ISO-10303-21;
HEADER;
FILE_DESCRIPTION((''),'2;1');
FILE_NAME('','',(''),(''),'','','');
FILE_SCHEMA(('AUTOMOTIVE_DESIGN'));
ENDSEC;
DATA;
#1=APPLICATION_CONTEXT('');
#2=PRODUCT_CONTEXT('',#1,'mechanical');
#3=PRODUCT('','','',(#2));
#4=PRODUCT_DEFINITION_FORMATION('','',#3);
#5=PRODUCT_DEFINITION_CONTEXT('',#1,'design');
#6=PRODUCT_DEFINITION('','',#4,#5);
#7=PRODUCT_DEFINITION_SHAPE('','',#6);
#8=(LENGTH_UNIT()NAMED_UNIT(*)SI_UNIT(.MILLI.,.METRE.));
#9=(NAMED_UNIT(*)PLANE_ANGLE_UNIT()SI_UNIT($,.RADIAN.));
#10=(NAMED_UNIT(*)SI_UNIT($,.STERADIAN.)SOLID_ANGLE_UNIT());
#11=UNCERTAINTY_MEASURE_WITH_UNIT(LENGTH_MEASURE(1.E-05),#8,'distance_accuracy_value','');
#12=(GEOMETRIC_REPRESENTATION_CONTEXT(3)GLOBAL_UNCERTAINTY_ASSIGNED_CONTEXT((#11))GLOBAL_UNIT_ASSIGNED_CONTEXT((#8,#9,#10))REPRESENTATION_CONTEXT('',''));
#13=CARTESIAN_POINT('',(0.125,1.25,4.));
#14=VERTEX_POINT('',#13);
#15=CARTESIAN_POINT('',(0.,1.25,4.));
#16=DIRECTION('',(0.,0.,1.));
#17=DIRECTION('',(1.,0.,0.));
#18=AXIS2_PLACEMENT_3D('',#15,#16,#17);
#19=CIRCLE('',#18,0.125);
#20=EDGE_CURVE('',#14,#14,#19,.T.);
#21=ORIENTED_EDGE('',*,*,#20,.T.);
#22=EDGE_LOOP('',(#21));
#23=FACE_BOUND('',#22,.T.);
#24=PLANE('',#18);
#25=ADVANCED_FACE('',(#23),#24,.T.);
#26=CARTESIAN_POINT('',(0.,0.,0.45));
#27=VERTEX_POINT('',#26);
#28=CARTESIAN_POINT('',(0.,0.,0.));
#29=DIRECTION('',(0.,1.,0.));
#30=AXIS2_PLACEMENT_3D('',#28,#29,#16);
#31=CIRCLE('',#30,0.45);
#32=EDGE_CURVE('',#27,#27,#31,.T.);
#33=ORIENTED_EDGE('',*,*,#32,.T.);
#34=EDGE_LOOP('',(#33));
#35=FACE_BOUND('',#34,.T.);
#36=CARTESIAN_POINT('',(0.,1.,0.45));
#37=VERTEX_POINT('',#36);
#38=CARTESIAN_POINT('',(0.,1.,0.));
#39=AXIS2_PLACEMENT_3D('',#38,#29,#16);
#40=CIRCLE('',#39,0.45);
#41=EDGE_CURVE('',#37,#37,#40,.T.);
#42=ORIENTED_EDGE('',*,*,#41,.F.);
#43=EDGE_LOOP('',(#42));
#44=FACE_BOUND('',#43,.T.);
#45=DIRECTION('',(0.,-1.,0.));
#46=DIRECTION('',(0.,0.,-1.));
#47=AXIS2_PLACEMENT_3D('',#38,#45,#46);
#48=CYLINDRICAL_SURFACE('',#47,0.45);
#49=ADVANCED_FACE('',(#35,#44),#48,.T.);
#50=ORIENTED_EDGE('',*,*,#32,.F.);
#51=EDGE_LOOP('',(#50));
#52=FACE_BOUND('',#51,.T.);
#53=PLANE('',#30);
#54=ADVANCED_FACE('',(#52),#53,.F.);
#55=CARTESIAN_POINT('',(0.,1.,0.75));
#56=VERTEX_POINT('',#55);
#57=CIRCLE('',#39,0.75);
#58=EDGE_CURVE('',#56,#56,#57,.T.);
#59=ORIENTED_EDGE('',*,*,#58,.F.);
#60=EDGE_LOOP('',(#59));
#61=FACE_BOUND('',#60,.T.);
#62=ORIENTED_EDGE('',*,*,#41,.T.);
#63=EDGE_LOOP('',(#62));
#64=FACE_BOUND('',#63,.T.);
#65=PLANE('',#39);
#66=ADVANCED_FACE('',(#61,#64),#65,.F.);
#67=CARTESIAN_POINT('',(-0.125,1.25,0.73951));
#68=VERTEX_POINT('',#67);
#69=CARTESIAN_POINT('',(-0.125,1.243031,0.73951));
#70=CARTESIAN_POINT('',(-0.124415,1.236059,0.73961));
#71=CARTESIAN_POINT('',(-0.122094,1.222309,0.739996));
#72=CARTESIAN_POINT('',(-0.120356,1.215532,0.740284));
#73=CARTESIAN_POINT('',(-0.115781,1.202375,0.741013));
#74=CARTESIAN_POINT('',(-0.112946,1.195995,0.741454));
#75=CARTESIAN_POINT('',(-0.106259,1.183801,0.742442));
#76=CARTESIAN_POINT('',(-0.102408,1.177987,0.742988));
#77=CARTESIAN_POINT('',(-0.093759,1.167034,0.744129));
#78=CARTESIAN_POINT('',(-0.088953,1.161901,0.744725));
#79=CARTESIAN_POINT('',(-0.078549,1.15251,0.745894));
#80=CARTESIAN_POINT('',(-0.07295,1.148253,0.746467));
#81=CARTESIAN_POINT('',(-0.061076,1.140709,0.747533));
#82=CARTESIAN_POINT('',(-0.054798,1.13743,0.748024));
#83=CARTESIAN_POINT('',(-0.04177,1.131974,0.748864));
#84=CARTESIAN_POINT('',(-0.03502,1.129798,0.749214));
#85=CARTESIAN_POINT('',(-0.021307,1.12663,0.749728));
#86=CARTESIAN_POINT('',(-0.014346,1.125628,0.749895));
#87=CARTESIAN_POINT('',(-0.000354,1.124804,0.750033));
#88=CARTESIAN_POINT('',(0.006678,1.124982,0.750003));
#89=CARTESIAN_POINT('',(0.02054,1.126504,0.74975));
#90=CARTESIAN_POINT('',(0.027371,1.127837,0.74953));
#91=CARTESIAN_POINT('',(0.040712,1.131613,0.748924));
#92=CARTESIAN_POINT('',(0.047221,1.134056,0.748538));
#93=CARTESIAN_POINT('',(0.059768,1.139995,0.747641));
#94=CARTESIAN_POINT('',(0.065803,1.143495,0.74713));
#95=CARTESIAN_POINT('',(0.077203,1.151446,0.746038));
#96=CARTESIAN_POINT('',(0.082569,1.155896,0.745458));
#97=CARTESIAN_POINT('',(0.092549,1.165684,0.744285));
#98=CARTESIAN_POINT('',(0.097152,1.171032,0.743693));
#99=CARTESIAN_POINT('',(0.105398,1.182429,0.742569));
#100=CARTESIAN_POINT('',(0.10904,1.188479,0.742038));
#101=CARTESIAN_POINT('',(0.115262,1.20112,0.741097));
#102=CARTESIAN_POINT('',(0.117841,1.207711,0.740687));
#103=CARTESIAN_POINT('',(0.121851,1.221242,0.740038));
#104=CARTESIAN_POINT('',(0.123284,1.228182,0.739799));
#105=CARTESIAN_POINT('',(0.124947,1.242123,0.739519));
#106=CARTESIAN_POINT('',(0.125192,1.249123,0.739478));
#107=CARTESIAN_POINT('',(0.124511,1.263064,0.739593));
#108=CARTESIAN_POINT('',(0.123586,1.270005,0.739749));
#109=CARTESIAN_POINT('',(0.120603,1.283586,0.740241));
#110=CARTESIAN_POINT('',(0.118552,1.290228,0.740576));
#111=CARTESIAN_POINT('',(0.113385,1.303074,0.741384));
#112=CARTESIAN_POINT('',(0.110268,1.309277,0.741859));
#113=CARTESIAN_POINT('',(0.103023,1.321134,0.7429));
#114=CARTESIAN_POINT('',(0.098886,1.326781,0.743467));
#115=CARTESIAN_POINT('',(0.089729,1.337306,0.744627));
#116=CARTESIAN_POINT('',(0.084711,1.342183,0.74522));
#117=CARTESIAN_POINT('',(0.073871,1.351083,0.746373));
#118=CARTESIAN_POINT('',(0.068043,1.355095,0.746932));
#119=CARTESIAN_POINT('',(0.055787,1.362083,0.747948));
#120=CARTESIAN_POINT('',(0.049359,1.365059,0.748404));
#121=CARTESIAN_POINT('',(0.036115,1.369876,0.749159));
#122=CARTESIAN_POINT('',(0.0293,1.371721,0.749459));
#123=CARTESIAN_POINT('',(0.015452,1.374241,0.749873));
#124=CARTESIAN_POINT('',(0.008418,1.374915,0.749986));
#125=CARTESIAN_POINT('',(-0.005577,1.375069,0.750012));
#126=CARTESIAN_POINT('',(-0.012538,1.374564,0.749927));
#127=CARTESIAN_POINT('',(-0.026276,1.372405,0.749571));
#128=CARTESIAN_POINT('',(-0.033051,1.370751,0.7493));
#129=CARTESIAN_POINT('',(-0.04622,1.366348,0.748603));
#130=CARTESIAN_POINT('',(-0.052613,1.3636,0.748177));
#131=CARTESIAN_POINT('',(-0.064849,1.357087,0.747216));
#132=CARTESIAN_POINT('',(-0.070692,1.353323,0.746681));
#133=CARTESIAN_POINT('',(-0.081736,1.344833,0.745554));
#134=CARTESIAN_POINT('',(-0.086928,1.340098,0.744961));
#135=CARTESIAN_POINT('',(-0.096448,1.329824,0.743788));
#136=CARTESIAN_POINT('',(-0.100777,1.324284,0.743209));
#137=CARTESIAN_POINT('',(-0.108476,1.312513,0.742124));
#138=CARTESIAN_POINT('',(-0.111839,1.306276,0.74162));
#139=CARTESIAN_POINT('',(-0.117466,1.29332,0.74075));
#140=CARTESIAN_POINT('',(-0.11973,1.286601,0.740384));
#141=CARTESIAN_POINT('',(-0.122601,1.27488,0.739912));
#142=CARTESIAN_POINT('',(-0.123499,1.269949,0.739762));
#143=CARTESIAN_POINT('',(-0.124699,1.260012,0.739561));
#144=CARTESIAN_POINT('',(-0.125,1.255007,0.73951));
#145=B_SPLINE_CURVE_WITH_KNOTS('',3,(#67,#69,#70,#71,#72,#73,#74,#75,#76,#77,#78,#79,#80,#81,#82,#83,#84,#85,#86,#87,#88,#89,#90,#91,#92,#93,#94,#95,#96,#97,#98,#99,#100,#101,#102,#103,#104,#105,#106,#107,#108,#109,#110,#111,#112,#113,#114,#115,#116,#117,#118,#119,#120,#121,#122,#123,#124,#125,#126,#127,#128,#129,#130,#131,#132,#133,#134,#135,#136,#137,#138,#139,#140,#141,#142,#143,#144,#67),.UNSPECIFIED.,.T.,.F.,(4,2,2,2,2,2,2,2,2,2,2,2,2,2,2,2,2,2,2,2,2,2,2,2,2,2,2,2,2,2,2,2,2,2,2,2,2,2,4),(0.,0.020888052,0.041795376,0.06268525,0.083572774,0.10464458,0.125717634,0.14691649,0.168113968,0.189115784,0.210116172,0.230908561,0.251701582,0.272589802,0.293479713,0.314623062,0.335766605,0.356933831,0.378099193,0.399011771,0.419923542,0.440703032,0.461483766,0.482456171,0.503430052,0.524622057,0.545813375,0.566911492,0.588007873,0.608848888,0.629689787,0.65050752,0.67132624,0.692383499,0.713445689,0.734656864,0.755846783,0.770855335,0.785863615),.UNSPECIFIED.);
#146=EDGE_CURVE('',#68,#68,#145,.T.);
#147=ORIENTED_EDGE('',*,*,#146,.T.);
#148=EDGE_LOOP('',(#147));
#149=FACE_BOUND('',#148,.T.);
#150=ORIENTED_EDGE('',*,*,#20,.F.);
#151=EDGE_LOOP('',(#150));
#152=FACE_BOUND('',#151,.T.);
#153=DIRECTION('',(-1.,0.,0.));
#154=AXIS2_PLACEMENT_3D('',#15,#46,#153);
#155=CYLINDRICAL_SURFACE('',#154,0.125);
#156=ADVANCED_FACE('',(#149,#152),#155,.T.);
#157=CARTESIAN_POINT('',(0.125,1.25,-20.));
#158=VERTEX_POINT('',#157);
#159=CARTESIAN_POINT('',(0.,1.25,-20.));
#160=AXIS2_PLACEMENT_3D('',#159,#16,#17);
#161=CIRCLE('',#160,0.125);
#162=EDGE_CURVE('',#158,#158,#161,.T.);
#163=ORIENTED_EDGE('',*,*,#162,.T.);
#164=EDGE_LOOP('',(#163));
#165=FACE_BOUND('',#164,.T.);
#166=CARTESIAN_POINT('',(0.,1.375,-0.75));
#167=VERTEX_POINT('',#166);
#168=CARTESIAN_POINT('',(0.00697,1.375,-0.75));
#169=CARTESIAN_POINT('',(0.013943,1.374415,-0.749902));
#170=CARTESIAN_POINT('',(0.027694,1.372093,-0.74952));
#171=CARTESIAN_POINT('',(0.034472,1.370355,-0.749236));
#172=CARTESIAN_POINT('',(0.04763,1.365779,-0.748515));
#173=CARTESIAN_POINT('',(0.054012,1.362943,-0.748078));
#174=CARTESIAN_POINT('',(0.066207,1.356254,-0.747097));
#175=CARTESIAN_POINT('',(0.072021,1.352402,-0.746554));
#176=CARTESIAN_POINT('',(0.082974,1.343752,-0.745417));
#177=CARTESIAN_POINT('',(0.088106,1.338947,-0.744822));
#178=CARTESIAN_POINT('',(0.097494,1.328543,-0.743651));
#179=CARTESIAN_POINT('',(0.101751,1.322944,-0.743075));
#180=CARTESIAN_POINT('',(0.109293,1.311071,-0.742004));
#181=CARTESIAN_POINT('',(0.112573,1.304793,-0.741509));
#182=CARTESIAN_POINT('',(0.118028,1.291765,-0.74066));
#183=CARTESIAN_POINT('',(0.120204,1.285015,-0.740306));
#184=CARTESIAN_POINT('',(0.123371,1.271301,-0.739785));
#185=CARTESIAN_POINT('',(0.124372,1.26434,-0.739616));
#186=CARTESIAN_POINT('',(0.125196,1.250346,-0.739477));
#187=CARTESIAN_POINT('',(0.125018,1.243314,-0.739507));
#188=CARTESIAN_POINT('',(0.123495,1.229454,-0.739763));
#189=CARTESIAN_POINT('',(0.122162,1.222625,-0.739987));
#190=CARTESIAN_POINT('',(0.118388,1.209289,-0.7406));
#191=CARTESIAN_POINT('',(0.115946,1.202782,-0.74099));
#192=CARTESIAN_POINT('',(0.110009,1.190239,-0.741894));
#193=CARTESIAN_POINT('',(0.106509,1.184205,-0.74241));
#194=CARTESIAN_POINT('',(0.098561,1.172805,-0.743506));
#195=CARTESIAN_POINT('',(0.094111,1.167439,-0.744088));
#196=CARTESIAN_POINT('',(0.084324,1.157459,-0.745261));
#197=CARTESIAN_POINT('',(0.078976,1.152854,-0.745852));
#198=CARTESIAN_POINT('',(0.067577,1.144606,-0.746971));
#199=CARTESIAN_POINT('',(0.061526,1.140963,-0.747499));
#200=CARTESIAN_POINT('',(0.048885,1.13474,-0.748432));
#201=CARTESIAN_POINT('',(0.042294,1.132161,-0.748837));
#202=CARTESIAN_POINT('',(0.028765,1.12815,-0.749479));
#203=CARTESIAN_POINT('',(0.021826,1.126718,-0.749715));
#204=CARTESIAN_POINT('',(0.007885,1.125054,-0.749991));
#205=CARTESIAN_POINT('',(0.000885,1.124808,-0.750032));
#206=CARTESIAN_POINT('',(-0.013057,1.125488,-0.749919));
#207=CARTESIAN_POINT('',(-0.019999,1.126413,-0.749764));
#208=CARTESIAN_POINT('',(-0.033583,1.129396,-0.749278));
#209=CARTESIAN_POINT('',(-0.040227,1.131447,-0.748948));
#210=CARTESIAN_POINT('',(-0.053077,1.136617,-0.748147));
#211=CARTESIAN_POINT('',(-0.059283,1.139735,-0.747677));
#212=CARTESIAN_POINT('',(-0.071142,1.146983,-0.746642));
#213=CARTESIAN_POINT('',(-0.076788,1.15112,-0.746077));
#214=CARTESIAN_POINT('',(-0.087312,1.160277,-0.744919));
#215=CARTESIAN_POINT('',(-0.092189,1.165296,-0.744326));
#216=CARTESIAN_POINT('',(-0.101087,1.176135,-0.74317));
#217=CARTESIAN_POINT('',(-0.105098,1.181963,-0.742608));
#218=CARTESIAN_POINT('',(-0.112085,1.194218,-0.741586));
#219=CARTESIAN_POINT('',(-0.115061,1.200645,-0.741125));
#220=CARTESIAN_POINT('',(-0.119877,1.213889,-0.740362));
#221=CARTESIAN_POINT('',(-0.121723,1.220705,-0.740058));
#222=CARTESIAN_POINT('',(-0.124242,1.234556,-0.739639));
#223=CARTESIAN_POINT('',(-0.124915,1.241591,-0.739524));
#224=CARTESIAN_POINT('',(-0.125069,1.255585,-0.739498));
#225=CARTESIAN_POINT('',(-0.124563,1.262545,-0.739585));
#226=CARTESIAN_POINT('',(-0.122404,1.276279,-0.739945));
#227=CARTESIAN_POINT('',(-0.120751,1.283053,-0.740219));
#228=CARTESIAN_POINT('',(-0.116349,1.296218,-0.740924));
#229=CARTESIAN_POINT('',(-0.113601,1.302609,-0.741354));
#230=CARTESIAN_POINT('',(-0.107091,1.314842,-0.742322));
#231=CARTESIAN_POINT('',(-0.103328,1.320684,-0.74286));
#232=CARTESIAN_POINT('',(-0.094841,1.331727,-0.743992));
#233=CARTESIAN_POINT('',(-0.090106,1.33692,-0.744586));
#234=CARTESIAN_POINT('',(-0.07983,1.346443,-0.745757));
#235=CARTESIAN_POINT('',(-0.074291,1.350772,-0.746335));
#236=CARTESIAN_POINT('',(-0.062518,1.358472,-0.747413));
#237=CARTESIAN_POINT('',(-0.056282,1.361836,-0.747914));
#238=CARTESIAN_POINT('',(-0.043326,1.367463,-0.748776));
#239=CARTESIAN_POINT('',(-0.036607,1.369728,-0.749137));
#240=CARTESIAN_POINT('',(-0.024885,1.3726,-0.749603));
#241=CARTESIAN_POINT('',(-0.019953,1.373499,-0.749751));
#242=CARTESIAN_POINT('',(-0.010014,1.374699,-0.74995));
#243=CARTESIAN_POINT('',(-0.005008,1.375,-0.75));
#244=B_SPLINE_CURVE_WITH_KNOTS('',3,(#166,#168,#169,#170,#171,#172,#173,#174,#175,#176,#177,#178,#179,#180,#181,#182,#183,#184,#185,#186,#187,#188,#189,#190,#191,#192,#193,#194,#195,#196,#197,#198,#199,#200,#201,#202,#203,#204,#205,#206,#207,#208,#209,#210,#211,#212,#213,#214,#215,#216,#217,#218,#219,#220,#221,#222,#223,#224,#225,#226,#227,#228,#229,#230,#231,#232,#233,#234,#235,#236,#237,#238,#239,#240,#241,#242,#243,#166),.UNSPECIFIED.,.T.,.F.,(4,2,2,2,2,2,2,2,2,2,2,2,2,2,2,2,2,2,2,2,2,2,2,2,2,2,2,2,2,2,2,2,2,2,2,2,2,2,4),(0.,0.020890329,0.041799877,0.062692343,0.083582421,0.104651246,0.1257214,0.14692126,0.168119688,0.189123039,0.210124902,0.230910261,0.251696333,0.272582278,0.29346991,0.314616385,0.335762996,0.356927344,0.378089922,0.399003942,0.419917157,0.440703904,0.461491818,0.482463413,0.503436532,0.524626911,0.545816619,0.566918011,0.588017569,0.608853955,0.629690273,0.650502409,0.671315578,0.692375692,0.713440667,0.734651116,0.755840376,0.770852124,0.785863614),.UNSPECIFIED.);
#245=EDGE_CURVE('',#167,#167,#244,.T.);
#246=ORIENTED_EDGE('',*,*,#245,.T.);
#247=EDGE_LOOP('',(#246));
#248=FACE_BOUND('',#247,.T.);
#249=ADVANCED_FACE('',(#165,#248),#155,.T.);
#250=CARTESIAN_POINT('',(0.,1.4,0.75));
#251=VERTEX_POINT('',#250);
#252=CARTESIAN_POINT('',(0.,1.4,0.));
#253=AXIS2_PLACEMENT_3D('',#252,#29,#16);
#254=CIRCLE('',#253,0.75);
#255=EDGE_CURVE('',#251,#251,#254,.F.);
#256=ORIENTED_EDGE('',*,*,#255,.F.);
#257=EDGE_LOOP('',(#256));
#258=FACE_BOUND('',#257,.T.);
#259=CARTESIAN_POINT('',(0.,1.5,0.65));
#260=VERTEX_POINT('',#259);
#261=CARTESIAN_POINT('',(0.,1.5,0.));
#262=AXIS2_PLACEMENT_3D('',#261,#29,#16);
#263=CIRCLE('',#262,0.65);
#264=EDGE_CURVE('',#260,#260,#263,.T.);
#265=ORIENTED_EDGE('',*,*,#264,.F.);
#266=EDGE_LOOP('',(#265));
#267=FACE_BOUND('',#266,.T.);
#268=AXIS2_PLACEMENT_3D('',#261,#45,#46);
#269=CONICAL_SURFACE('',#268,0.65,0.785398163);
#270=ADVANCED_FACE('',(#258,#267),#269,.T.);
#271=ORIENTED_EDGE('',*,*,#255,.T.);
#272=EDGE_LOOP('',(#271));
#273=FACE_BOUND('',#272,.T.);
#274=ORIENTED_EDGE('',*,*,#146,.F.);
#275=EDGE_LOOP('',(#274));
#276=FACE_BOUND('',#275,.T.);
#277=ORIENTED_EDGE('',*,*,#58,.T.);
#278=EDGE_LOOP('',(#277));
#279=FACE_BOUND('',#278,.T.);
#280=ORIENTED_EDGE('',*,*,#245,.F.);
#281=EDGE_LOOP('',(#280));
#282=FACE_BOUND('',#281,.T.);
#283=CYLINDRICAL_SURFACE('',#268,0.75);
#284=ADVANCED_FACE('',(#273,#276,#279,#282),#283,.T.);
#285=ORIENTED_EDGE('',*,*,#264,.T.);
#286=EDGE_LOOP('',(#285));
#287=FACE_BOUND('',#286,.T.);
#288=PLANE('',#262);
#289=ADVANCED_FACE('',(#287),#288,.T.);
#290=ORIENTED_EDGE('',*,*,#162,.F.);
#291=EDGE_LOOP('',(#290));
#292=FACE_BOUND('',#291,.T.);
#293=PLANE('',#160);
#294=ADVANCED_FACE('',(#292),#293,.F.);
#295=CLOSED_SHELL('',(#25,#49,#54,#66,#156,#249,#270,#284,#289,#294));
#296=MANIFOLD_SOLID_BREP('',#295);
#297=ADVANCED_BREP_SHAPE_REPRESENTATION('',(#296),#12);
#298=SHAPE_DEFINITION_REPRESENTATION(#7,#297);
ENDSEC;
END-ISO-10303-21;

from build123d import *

# Parameters (mm, degrees)
SKETCH1_R                = 0.45
BOSS_EXTRUDE1_DEPTH      = 1
SKETCH2_R                = 0.75
BOSS_EXTRUDE2_DEPTH      = 0.5
SKETCH3_R                = 0.125
BOSS_EXTRUDE3_DEPTH      = 4
BOSS_EXTRUDE3_DEPTH_BACK = 20
CHAMFER1_SIZE            = 0.1


with BuildPart() as part:
    # Sketch1 → Boss-Extrude1 (new body)
    with BuildSketch(Plane(origin=(0, 0, 0), x_dir=(1, 0, 0), z_dir=(0, 1, 0))):
        Circle(SKETCH1_R)
    extrude(amount=BOSS_EXTRUDE1_DEPTH)

    # Sketch2 → Boss-Extrude2 (add)
    with BuildSketch(Plane(origin=(0, 1, 0), x_dir=(1, 0, 0), z_dir=(0, 1, 0))):
        Circle(SKETCH2_R)
    extrude(amount=BOSS_EXTRUDE2_DEPTH)

    # Sketch3 → Boss-Extrude3 (add, two sides)
    with BuildSketch(Plane.XY) as boss_extrude3_sk:
        with Locations((0, 1.25)):
            Circle(SKETCH3_R)
    extrude(amount=BOSS_EXTRUDE3_DEPTH)
    extrude(boss_extrude3_sk.sketch, amount=-BOSS_EXTRUDE3_DEPTH_BACK)

    # Chamfer1
    chamfer1_edges = [part.edges().sort_by_distance(p)[0] for p in [
        (-0.75, 1.5, 0),
    ]]
    chamfer(chamfer1_edges, length=CHAMFER1_SIZE)


solid = part.part
